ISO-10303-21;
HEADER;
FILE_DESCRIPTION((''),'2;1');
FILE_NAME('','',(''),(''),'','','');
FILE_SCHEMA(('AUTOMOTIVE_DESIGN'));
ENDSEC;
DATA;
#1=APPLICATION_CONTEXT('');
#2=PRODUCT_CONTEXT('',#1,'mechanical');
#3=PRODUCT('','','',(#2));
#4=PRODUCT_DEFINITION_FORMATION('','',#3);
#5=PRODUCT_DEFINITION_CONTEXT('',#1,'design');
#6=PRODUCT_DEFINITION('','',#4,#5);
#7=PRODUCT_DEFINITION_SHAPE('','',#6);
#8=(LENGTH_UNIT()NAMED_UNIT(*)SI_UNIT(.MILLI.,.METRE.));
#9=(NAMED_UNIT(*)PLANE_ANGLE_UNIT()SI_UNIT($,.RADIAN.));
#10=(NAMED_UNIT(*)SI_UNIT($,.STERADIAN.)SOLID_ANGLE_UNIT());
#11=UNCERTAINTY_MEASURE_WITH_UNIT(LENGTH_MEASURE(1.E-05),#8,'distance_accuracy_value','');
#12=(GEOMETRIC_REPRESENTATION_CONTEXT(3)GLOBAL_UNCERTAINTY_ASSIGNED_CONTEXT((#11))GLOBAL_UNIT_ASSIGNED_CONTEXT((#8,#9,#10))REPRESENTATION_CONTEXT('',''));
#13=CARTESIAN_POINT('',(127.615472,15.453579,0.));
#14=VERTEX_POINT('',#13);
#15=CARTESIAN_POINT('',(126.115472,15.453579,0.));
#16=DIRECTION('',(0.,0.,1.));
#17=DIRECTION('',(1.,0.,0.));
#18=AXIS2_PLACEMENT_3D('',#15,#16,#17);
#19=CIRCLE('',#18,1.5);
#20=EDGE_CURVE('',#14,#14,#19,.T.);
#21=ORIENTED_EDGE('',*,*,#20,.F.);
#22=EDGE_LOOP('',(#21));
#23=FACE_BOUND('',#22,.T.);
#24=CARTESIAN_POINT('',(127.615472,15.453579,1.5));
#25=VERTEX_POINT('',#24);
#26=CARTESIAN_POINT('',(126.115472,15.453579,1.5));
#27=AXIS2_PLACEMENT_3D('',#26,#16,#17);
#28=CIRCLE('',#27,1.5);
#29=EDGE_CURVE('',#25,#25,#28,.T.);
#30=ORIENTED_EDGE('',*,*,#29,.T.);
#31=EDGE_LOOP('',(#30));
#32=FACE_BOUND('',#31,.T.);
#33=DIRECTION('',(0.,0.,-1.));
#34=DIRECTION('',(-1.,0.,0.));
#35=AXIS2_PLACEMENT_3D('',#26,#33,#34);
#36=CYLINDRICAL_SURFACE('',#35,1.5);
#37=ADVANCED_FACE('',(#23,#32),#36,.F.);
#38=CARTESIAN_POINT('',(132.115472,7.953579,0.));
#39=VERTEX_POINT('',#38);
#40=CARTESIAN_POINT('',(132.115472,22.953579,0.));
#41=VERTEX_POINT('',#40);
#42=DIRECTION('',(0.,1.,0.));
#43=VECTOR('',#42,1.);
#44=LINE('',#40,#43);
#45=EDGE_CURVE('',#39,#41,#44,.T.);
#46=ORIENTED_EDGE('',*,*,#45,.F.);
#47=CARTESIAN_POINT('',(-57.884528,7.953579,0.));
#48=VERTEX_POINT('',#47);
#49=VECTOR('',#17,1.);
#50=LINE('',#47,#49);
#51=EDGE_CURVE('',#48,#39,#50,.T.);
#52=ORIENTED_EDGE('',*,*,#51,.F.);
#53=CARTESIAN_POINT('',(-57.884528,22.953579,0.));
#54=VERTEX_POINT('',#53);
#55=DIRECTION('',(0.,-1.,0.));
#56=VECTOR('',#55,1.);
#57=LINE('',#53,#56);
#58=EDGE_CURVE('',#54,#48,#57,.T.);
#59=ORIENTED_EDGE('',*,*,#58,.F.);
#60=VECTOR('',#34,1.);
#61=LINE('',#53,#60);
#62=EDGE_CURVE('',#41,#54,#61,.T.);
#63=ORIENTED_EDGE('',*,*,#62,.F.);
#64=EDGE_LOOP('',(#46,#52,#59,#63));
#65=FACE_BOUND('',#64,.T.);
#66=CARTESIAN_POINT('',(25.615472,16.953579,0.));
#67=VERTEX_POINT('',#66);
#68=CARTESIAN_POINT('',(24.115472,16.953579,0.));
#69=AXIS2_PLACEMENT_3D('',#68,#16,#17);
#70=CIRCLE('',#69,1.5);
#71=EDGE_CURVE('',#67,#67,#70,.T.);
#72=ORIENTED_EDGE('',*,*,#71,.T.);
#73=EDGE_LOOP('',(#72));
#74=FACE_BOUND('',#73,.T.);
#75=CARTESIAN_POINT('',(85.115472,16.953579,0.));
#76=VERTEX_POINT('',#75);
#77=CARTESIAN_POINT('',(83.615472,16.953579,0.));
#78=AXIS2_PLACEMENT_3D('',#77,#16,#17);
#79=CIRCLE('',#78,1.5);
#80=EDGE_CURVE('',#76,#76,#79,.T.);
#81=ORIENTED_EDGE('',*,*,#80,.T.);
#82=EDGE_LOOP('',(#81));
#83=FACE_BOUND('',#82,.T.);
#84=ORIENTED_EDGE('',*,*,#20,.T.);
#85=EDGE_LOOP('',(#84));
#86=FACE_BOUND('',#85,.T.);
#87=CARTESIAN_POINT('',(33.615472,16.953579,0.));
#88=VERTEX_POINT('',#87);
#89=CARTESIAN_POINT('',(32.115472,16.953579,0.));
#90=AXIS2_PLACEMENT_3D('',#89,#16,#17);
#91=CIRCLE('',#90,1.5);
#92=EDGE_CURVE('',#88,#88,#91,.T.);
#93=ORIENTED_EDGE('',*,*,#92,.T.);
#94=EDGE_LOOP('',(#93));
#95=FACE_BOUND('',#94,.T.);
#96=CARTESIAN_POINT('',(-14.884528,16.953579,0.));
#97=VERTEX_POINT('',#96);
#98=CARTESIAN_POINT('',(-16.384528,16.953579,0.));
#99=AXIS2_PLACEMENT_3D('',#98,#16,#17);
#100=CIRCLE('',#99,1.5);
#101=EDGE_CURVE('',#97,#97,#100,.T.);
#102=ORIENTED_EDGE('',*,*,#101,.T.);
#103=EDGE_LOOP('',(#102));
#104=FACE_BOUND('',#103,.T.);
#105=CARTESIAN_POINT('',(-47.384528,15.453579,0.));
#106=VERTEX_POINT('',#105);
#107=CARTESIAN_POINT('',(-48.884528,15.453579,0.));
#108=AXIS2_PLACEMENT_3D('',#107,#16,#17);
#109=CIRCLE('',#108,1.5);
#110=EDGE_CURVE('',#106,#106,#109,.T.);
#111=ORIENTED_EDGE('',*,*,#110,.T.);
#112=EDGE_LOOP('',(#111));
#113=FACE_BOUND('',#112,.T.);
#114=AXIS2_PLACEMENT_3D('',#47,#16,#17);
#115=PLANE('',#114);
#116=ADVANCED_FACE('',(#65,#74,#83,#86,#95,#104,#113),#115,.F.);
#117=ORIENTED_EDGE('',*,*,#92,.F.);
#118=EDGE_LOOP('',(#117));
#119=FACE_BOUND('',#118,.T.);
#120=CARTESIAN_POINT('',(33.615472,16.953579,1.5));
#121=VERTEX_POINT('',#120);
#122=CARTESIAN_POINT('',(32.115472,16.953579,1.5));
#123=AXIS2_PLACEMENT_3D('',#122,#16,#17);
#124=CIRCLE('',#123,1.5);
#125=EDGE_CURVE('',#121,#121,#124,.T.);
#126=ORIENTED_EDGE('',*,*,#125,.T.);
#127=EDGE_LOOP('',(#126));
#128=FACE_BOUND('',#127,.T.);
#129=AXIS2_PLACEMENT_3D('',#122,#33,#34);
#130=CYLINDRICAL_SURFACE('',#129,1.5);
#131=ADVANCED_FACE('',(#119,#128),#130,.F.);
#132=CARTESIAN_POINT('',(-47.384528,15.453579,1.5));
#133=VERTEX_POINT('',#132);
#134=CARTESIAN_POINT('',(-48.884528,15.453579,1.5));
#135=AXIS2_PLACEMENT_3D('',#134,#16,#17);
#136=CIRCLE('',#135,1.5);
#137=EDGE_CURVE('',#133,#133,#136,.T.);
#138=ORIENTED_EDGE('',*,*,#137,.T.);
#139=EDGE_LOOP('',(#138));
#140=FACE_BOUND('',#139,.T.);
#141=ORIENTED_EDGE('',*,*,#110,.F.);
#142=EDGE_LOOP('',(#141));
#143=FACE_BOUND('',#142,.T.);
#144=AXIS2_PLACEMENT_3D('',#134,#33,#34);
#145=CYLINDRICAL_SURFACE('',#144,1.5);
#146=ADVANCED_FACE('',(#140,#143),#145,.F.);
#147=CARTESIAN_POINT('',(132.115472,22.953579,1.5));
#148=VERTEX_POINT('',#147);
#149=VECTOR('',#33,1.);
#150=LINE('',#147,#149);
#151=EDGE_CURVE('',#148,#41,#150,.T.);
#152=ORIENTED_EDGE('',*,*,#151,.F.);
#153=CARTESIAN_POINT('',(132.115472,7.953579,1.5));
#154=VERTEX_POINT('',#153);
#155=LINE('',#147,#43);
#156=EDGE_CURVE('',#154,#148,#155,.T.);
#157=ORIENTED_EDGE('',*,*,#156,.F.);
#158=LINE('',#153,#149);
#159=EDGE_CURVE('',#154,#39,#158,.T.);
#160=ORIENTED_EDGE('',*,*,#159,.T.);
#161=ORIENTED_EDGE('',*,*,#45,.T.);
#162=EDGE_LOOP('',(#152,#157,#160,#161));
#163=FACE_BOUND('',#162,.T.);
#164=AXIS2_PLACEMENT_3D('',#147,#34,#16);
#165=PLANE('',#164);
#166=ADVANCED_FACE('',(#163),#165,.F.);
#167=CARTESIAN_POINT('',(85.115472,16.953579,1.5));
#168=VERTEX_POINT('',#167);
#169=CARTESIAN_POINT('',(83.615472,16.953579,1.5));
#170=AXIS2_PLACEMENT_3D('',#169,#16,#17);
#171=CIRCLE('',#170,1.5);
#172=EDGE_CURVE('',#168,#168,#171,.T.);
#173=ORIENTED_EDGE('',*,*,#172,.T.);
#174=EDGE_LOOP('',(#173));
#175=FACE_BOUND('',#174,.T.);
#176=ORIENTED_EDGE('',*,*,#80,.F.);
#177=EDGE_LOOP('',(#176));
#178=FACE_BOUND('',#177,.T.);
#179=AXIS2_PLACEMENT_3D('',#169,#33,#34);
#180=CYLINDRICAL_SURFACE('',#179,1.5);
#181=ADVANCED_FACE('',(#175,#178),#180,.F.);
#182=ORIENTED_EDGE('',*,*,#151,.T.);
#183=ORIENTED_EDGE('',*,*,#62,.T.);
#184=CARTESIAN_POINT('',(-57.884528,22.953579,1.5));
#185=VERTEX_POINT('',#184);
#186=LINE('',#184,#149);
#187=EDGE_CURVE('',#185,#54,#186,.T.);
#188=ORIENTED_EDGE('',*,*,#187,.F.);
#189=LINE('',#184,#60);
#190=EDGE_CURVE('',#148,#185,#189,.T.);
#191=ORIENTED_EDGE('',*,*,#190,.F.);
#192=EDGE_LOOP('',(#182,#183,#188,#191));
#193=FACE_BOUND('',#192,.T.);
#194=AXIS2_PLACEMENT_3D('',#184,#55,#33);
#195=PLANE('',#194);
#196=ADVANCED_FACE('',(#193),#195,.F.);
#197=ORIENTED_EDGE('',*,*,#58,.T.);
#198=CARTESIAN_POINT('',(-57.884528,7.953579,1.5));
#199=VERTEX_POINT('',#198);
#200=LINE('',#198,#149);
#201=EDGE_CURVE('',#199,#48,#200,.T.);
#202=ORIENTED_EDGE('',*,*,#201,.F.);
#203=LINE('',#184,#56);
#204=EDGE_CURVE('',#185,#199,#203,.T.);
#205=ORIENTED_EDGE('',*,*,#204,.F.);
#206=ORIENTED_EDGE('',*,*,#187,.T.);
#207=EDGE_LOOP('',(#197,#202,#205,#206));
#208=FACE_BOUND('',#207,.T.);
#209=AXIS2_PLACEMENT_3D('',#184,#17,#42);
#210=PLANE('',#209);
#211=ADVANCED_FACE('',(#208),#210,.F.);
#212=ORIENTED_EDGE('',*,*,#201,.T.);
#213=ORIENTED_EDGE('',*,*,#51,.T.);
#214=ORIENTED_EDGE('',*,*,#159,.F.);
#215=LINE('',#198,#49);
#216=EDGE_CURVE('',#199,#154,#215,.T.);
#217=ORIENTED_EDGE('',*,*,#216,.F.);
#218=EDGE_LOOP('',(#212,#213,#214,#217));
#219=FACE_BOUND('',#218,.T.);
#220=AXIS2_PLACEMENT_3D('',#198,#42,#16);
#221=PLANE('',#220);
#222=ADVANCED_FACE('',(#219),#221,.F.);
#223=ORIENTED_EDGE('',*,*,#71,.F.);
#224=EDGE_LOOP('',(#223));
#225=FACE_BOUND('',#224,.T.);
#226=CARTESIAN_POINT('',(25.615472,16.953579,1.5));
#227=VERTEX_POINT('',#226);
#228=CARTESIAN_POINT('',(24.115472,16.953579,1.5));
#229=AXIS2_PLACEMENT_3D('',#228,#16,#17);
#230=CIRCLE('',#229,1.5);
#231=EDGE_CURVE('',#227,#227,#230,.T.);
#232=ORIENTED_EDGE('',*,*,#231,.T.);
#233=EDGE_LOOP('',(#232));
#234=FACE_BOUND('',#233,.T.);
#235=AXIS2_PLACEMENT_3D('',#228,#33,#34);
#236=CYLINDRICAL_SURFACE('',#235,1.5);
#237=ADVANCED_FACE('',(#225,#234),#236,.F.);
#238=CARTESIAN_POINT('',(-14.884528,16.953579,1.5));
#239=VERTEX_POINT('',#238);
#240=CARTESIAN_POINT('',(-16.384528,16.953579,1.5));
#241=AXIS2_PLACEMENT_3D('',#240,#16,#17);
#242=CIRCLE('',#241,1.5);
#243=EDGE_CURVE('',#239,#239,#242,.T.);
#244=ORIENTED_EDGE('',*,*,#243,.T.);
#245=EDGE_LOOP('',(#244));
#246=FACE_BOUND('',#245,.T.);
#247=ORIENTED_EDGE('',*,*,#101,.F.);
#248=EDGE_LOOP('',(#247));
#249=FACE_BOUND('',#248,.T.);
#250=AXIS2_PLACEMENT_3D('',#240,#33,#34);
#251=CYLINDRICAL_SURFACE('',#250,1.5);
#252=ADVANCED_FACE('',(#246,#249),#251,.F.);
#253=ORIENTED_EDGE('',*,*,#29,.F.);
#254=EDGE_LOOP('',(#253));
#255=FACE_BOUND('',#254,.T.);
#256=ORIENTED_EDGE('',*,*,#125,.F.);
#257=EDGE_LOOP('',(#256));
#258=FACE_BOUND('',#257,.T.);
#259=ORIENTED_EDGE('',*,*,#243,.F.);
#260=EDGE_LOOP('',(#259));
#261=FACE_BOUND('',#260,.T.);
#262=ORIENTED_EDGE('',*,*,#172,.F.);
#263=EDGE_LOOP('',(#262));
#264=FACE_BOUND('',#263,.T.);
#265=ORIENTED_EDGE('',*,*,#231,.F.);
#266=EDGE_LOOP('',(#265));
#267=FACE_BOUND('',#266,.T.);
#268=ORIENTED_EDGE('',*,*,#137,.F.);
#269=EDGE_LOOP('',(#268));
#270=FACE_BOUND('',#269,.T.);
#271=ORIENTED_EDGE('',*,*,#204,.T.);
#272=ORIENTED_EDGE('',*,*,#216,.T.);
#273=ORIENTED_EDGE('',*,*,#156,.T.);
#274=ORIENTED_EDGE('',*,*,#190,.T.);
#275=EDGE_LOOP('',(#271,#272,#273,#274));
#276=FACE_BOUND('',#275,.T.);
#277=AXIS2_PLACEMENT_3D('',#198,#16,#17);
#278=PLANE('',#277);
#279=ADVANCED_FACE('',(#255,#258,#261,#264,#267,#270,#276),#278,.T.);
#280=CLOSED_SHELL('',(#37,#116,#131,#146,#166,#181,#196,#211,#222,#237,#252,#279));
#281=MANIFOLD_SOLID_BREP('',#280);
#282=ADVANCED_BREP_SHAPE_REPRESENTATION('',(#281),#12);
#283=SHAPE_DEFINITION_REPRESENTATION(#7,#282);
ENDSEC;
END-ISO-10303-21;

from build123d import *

# Parameters (mm, degrees)
ESQUISSE1_W      = 190
ESQUISSE1_H      = 15
ESQUISSE1_R      = 1.5
EXTRUSION1_DEPTH = 1.5


with BuildPart() as part:
    # Esquisse1 → Extrusion1 (new body)
    with BuildSketch(Plane.XY):
        with Locations((37.115471515, 15.453578947)):
            Rectangle(ESQUISSE1_W, ESQUISSE1_H)
        with Locations((-48.884528485, 15.453578947)):
            Circle(ESQUISSE1_R, mode=Mode.SUBTRACT)
        with Locations((126.115471515, 15.453578947)):
            Circle(ESQUISSE1_R, mode=Mode.SUBTRACT)
        with Locations((-16.384528485, 16.953578947)):
            Circle(ESQUISSE1_R, mode=Mode.SUBTRACT)
        with Locations((83.615471515, 16.953578947)):
            Circle(ESQUISSE1_R, mode=Mode.SUBTRACT)
        with Locations((32.115471515, 16.953578947)):
            Circle(ESQUISSE1_R, mode=Mode.SUBTRACT)
        with Locations((24.115471515, 16.953578947)):
            Circle(ESQUISSE1_R, mode=Mode.SUBTRACT)
    extrude(amount=EXTRUSION1_DEPTH)


solid = part.part
